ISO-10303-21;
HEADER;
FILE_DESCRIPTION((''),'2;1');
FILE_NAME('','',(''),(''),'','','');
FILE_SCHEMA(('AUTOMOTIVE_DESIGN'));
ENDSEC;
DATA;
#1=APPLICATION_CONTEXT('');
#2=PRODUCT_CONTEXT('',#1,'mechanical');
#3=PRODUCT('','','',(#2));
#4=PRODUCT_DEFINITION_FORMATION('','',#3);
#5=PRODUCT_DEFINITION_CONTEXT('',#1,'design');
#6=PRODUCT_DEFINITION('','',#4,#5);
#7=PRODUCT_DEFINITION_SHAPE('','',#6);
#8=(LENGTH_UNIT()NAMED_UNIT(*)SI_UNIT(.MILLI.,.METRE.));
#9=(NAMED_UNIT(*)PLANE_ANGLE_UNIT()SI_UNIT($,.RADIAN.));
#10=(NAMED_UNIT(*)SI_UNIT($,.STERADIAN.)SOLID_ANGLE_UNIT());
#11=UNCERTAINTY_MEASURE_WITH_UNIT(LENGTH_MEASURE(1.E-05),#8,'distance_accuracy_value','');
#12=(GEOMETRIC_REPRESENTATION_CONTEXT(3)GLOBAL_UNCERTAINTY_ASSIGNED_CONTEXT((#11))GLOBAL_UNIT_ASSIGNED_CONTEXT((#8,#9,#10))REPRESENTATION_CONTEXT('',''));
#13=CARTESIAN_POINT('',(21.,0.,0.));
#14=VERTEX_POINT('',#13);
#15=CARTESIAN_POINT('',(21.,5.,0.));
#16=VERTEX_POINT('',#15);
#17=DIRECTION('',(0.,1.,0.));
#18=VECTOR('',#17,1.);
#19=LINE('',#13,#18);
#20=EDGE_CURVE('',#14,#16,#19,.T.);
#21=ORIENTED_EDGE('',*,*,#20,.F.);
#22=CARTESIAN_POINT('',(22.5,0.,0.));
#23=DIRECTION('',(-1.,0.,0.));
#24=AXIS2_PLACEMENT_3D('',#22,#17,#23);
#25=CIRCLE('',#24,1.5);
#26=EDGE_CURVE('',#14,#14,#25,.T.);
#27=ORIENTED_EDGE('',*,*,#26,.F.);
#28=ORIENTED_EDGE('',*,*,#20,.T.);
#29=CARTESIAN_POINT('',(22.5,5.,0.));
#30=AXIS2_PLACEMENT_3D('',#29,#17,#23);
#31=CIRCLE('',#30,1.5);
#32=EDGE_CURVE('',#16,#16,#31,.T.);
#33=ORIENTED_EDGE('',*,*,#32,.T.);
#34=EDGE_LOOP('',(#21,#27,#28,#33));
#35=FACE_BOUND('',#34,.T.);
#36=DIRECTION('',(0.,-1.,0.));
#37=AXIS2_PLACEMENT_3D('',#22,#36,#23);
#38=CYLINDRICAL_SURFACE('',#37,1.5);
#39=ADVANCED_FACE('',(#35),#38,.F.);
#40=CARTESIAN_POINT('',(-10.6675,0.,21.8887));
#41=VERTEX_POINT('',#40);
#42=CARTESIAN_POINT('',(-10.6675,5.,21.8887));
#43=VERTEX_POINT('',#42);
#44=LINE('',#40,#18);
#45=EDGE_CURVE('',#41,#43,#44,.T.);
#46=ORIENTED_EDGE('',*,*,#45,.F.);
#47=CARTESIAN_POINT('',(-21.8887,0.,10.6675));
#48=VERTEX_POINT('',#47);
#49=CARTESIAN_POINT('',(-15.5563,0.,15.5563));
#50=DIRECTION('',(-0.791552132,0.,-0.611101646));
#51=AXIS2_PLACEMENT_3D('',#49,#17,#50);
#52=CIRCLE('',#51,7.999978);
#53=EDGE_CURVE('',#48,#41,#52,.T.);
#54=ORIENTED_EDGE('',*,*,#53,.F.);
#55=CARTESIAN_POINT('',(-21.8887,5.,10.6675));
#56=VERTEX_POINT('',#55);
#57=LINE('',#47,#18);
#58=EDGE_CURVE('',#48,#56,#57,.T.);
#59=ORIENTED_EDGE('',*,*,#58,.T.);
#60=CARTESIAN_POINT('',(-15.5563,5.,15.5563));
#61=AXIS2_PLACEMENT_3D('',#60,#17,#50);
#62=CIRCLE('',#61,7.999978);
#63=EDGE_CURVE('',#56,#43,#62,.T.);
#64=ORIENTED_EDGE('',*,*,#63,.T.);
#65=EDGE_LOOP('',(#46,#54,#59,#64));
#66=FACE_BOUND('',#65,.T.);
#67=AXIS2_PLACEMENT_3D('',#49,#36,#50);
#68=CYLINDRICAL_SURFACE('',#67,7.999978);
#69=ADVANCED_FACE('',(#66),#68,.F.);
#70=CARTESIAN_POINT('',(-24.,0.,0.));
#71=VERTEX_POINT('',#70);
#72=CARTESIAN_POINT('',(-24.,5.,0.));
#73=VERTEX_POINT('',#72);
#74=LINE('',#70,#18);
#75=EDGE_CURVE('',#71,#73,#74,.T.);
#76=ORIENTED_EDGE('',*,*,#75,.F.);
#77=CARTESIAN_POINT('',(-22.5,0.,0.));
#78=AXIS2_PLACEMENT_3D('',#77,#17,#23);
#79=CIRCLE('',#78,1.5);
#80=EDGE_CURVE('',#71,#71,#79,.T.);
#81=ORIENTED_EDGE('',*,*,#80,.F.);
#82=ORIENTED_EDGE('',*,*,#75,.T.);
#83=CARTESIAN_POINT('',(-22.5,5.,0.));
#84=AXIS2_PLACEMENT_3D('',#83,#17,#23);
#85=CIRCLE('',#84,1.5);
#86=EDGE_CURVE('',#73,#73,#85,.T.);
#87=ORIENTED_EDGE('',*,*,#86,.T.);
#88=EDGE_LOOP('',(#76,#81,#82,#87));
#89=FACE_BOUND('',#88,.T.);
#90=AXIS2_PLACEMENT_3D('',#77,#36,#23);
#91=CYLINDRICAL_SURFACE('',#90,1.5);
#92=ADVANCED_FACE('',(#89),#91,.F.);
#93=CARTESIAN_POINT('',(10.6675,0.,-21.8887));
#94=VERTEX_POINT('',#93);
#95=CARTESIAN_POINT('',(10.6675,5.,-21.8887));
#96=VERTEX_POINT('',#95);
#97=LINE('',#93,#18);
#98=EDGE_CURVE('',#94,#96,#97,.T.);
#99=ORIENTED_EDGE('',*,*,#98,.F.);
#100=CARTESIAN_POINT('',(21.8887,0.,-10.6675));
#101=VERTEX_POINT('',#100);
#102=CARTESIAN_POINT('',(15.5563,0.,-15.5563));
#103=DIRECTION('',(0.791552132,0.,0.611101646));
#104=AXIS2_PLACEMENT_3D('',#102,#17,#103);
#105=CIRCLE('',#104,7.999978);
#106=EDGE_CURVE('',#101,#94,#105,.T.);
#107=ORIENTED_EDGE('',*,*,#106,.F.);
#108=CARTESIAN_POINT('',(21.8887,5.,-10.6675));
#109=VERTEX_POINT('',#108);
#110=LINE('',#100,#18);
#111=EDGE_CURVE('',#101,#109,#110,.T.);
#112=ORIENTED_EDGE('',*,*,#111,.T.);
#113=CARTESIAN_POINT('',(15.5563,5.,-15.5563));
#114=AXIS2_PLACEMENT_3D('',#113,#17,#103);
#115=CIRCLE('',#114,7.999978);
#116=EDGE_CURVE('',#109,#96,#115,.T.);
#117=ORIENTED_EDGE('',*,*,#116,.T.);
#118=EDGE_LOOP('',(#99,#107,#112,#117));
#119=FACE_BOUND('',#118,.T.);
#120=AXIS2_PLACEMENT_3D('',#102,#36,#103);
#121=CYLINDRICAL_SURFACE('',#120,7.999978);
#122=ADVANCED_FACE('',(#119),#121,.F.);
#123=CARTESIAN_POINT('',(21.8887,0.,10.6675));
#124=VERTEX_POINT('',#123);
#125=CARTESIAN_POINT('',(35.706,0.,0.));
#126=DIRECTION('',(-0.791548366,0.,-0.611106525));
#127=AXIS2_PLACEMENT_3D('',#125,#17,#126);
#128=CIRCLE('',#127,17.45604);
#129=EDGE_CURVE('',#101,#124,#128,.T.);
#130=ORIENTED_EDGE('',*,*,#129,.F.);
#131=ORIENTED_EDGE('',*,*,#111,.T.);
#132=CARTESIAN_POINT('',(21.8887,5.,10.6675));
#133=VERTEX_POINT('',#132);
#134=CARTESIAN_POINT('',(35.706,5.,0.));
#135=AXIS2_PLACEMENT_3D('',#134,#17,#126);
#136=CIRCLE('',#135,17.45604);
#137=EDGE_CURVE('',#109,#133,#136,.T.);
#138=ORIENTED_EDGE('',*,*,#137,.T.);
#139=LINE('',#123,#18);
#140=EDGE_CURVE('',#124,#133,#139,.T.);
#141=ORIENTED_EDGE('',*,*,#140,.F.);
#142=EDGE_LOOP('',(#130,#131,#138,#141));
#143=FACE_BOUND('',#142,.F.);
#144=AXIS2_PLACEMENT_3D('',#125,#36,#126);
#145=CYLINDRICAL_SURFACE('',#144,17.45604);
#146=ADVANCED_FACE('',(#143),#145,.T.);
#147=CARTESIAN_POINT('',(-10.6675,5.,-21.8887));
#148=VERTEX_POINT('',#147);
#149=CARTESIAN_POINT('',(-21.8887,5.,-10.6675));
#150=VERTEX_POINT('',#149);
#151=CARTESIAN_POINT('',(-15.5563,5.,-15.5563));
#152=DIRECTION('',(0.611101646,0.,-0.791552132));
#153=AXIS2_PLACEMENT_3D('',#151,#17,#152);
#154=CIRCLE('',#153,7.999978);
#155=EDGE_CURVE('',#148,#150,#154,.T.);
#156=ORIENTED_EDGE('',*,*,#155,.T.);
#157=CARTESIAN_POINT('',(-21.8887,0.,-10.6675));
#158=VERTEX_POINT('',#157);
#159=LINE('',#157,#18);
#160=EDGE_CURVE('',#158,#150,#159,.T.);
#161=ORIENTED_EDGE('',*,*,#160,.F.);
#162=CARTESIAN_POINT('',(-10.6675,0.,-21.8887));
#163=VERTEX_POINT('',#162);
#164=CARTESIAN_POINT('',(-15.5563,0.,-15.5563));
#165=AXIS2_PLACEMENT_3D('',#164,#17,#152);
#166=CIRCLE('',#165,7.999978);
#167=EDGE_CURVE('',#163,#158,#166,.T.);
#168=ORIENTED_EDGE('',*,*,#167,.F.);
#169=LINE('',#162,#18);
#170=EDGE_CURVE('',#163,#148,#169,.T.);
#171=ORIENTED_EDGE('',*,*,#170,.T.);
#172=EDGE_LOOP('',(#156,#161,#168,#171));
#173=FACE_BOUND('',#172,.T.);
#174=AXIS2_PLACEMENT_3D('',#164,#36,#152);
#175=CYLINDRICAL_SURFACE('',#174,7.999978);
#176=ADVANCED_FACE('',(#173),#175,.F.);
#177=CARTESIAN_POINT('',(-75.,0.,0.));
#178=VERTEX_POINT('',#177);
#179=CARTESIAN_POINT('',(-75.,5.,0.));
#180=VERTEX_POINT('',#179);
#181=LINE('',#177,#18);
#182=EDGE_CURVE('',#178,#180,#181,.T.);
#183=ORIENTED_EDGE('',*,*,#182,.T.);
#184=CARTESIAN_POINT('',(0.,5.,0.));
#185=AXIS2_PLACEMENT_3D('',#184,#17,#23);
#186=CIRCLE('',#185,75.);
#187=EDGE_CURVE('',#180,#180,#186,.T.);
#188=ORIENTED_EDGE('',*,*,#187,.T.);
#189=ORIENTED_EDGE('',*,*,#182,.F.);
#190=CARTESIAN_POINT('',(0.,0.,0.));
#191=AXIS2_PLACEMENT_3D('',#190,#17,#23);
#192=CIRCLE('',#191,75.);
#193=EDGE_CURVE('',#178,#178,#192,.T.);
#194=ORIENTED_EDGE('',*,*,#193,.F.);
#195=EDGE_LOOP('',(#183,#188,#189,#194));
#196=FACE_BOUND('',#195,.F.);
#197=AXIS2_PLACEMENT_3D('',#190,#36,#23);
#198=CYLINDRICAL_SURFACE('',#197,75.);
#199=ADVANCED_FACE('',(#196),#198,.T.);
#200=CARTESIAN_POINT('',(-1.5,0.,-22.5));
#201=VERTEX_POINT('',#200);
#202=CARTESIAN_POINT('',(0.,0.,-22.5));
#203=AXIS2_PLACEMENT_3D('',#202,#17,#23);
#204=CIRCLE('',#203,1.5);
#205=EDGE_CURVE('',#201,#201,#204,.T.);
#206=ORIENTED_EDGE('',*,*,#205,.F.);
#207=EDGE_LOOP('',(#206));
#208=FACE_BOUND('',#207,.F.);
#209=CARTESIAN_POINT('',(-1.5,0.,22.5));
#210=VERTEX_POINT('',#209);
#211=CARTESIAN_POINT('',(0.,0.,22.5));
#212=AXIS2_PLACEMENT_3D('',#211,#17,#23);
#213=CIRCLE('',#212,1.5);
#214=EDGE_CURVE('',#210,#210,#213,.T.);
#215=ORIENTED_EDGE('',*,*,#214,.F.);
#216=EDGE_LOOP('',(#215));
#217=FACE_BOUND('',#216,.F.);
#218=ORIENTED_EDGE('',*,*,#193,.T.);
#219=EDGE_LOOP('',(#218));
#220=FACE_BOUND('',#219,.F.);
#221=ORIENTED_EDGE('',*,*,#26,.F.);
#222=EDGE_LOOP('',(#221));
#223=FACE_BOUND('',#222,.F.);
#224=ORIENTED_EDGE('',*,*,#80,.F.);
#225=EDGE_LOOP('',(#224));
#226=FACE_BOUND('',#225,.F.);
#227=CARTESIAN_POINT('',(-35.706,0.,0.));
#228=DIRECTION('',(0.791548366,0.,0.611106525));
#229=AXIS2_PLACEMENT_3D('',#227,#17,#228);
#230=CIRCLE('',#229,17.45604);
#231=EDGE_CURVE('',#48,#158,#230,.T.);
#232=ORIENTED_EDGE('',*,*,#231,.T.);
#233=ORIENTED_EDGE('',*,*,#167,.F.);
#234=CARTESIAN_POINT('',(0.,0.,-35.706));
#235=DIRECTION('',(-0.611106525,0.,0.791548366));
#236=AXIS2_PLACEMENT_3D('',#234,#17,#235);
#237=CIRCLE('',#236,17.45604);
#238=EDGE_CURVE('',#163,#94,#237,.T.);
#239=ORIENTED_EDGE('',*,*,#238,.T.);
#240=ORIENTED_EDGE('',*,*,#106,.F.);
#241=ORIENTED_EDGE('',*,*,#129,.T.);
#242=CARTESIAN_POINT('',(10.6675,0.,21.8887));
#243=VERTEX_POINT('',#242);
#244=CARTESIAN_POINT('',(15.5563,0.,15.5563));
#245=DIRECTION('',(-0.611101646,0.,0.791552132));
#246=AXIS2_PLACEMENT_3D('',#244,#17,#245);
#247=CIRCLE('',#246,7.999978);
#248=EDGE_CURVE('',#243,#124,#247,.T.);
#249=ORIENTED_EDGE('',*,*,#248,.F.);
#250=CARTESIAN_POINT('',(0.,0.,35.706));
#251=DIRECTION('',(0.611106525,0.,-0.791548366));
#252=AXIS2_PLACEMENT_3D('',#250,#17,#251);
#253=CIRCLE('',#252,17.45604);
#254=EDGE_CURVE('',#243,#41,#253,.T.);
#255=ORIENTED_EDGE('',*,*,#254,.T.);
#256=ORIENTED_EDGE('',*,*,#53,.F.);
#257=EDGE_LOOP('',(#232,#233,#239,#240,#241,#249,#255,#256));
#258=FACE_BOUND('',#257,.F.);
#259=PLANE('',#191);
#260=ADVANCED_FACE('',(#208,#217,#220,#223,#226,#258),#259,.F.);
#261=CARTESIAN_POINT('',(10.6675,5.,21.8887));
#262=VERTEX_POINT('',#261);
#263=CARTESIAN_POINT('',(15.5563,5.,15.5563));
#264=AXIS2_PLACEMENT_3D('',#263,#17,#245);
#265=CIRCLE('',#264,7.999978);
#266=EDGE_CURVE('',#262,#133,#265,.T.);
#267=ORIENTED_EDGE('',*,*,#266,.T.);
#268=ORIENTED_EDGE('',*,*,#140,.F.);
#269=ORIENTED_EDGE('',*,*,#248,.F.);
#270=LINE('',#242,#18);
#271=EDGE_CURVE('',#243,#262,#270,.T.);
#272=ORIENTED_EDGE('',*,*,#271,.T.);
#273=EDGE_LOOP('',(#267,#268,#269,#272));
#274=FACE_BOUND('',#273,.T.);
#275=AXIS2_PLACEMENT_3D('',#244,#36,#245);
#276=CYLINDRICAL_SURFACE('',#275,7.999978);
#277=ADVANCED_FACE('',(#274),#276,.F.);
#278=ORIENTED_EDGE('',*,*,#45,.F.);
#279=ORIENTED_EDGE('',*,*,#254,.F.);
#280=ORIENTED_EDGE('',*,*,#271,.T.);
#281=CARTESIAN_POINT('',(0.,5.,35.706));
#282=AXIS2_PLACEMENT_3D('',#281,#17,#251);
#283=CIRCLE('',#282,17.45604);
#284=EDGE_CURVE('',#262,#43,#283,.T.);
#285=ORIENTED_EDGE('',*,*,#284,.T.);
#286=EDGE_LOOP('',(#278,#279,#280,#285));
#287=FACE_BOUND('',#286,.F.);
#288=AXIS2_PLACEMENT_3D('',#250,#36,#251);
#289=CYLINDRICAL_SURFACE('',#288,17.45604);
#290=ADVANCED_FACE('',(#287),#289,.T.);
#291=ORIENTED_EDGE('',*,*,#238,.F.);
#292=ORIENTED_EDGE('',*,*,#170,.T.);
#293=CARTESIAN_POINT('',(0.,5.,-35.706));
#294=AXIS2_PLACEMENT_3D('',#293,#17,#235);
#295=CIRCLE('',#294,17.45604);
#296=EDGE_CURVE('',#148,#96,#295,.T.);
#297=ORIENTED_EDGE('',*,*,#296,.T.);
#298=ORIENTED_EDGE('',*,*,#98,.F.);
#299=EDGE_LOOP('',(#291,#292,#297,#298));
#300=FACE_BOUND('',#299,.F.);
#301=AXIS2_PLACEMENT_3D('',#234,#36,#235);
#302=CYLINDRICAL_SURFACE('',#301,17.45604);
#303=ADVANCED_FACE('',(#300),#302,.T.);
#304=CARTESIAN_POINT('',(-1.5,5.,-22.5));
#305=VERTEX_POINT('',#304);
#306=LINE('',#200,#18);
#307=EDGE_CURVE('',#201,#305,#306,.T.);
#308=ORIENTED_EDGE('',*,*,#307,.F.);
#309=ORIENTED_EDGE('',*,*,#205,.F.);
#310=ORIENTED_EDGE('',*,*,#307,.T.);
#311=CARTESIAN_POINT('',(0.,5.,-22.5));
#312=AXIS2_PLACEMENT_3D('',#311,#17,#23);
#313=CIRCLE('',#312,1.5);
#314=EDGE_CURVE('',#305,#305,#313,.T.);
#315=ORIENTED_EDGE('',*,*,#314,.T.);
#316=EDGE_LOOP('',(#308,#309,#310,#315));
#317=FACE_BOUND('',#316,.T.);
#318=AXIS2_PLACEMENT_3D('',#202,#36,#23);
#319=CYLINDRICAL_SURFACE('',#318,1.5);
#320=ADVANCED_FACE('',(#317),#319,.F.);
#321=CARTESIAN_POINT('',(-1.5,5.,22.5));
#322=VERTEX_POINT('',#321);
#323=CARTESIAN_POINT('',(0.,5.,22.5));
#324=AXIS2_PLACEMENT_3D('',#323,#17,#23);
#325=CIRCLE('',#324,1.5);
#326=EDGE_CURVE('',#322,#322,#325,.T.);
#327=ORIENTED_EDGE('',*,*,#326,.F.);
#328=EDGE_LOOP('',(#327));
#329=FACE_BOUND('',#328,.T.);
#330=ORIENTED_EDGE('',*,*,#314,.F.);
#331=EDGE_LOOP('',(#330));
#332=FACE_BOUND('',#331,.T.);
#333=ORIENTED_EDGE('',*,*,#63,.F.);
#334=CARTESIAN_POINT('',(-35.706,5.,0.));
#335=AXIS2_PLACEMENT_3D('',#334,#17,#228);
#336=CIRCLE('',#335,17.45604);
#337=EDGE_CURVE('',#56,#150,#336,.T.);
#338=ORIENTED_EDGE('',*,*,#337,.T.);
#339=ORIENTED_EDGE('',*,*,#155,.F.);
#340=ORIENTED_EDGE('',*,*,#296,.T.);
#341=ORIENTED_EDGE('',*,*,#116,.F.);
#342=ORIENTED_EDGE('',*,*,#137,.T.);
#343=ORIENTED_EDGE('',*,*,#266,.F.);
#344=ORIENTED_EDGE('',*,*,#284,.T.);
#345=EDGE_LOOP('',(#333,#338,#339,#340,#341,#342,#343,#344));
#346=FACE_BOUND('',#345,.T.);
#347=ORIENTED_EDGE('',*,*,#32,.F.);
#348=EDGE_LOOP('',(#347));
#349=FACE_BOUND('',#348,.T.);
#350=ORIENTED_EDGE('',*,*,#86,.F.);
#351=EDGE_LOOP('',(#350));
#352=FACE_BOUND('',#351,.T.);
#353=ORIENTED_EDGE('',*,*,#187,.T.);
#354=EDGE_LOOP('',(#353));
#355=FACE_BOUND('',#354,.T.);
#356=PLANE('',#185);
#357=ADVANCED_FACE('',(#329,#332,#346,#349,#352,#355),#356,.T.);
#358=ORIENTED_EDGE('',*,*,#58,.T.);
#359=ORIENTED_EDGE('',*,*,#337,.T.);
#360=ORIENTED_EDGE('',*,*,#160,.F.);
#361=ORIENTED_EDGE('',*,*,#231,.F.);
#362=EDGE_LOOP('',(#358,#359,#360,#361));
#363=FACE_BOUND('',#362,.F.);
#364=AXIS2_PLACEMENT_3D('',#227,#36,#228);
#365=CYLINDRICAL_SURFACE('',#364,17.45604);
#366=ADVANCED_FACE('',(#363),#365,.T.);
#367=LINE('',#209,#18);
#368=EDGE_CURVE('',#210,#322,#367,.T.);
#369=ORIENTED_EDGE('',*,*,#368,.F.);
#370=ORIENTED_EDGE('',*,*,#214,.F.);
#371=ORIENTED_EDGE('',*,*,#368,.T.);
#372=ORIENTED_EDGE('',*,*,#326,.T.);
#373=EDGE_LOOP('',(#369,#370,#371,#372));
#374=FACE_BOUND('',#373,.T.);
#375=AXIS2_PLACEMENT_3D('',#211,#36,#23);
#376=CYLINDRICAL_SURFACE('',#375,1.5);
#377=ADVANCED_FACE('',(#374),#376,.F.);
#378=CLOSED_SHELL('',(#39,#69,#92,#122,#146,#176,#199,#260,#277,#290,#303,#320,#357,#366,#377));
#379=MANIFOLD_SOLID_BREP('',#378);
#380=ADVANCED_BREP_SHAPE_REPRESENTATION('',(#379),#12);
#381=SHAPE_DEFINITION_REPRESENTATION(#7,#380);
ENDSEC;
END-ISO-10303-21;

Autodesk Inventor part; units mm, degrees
ref_plane "YZ Plane" through (0, 0, 0) normal (1, 0, 0) x (0, 1, 0)
ref_plane "XZ Plane" through (0, 0, 0) normal (0, 1, 0) x (-1, 0, 0)
ref_plane "XY Plane" through (0, 0, 0) normal (0, 0, 1) x (1, 0, 0)
sketch "Boceto1" plane through (0, 0, 0) normal (0, 1, 0) x (-1, 0, 0)
  circle A0 centre (0, 0) radius 15
  circle A1 centre (0, 0) radius 75
  arc A2 (-10.6675, 21.8887) -> (10.6675, 21.8887) centre (0, 35.706) ccw projected
  arc A3 (21.8887, 10.6675) -> (10.6675, 21.8887) centre (15.5563, 15.5563) ccw projected
  arc A4 (21.8887, 10.6675) -> (21.8887, -10.6675) centre (35.706, 0) ccw projected
  arc A5 (10.6675, -21.8887) -> (21.8887, -10.6675) centre (15.5563, -15.5563) ccw projected
  arc A6 (10.6675, -21.8887) -> (-10.6675, -21.8887) centre (0, -35.706) ccw projected
  arc A7 (-21.8887, -10.6675) -> (-10.6675, -21.8887) centre (-15.5563, -15.5563) ccw projected
  arc A8 (-21.8887, -10.6675) -> (-21.8887, 10.6675) centre (-35.706, 0) ccw projected
  arc A9 (-10.6675, 21.8887) -> (-21.8887, 10.6675) centre (-15.5563, 15.5563) ccw projected
  circle A10 centre (0, -22.5) radius 1.5 projected
  circle A11 centre (22.5, 0) radius 1.5 projected
  circle A12 centre (0, 22.5) radius 1.5 projected
  circle A13 centre (-22.5, 0) radius 1.5 projected
  circle A14 centre (0, 0) radius 15.25 projected
  dimension "d0" = 30
  dimension "d1" = 150
extrude "Extrusión1" add sketch "Boceto1" along normal blind 5 contours A1
properties part number "Plato T5"
